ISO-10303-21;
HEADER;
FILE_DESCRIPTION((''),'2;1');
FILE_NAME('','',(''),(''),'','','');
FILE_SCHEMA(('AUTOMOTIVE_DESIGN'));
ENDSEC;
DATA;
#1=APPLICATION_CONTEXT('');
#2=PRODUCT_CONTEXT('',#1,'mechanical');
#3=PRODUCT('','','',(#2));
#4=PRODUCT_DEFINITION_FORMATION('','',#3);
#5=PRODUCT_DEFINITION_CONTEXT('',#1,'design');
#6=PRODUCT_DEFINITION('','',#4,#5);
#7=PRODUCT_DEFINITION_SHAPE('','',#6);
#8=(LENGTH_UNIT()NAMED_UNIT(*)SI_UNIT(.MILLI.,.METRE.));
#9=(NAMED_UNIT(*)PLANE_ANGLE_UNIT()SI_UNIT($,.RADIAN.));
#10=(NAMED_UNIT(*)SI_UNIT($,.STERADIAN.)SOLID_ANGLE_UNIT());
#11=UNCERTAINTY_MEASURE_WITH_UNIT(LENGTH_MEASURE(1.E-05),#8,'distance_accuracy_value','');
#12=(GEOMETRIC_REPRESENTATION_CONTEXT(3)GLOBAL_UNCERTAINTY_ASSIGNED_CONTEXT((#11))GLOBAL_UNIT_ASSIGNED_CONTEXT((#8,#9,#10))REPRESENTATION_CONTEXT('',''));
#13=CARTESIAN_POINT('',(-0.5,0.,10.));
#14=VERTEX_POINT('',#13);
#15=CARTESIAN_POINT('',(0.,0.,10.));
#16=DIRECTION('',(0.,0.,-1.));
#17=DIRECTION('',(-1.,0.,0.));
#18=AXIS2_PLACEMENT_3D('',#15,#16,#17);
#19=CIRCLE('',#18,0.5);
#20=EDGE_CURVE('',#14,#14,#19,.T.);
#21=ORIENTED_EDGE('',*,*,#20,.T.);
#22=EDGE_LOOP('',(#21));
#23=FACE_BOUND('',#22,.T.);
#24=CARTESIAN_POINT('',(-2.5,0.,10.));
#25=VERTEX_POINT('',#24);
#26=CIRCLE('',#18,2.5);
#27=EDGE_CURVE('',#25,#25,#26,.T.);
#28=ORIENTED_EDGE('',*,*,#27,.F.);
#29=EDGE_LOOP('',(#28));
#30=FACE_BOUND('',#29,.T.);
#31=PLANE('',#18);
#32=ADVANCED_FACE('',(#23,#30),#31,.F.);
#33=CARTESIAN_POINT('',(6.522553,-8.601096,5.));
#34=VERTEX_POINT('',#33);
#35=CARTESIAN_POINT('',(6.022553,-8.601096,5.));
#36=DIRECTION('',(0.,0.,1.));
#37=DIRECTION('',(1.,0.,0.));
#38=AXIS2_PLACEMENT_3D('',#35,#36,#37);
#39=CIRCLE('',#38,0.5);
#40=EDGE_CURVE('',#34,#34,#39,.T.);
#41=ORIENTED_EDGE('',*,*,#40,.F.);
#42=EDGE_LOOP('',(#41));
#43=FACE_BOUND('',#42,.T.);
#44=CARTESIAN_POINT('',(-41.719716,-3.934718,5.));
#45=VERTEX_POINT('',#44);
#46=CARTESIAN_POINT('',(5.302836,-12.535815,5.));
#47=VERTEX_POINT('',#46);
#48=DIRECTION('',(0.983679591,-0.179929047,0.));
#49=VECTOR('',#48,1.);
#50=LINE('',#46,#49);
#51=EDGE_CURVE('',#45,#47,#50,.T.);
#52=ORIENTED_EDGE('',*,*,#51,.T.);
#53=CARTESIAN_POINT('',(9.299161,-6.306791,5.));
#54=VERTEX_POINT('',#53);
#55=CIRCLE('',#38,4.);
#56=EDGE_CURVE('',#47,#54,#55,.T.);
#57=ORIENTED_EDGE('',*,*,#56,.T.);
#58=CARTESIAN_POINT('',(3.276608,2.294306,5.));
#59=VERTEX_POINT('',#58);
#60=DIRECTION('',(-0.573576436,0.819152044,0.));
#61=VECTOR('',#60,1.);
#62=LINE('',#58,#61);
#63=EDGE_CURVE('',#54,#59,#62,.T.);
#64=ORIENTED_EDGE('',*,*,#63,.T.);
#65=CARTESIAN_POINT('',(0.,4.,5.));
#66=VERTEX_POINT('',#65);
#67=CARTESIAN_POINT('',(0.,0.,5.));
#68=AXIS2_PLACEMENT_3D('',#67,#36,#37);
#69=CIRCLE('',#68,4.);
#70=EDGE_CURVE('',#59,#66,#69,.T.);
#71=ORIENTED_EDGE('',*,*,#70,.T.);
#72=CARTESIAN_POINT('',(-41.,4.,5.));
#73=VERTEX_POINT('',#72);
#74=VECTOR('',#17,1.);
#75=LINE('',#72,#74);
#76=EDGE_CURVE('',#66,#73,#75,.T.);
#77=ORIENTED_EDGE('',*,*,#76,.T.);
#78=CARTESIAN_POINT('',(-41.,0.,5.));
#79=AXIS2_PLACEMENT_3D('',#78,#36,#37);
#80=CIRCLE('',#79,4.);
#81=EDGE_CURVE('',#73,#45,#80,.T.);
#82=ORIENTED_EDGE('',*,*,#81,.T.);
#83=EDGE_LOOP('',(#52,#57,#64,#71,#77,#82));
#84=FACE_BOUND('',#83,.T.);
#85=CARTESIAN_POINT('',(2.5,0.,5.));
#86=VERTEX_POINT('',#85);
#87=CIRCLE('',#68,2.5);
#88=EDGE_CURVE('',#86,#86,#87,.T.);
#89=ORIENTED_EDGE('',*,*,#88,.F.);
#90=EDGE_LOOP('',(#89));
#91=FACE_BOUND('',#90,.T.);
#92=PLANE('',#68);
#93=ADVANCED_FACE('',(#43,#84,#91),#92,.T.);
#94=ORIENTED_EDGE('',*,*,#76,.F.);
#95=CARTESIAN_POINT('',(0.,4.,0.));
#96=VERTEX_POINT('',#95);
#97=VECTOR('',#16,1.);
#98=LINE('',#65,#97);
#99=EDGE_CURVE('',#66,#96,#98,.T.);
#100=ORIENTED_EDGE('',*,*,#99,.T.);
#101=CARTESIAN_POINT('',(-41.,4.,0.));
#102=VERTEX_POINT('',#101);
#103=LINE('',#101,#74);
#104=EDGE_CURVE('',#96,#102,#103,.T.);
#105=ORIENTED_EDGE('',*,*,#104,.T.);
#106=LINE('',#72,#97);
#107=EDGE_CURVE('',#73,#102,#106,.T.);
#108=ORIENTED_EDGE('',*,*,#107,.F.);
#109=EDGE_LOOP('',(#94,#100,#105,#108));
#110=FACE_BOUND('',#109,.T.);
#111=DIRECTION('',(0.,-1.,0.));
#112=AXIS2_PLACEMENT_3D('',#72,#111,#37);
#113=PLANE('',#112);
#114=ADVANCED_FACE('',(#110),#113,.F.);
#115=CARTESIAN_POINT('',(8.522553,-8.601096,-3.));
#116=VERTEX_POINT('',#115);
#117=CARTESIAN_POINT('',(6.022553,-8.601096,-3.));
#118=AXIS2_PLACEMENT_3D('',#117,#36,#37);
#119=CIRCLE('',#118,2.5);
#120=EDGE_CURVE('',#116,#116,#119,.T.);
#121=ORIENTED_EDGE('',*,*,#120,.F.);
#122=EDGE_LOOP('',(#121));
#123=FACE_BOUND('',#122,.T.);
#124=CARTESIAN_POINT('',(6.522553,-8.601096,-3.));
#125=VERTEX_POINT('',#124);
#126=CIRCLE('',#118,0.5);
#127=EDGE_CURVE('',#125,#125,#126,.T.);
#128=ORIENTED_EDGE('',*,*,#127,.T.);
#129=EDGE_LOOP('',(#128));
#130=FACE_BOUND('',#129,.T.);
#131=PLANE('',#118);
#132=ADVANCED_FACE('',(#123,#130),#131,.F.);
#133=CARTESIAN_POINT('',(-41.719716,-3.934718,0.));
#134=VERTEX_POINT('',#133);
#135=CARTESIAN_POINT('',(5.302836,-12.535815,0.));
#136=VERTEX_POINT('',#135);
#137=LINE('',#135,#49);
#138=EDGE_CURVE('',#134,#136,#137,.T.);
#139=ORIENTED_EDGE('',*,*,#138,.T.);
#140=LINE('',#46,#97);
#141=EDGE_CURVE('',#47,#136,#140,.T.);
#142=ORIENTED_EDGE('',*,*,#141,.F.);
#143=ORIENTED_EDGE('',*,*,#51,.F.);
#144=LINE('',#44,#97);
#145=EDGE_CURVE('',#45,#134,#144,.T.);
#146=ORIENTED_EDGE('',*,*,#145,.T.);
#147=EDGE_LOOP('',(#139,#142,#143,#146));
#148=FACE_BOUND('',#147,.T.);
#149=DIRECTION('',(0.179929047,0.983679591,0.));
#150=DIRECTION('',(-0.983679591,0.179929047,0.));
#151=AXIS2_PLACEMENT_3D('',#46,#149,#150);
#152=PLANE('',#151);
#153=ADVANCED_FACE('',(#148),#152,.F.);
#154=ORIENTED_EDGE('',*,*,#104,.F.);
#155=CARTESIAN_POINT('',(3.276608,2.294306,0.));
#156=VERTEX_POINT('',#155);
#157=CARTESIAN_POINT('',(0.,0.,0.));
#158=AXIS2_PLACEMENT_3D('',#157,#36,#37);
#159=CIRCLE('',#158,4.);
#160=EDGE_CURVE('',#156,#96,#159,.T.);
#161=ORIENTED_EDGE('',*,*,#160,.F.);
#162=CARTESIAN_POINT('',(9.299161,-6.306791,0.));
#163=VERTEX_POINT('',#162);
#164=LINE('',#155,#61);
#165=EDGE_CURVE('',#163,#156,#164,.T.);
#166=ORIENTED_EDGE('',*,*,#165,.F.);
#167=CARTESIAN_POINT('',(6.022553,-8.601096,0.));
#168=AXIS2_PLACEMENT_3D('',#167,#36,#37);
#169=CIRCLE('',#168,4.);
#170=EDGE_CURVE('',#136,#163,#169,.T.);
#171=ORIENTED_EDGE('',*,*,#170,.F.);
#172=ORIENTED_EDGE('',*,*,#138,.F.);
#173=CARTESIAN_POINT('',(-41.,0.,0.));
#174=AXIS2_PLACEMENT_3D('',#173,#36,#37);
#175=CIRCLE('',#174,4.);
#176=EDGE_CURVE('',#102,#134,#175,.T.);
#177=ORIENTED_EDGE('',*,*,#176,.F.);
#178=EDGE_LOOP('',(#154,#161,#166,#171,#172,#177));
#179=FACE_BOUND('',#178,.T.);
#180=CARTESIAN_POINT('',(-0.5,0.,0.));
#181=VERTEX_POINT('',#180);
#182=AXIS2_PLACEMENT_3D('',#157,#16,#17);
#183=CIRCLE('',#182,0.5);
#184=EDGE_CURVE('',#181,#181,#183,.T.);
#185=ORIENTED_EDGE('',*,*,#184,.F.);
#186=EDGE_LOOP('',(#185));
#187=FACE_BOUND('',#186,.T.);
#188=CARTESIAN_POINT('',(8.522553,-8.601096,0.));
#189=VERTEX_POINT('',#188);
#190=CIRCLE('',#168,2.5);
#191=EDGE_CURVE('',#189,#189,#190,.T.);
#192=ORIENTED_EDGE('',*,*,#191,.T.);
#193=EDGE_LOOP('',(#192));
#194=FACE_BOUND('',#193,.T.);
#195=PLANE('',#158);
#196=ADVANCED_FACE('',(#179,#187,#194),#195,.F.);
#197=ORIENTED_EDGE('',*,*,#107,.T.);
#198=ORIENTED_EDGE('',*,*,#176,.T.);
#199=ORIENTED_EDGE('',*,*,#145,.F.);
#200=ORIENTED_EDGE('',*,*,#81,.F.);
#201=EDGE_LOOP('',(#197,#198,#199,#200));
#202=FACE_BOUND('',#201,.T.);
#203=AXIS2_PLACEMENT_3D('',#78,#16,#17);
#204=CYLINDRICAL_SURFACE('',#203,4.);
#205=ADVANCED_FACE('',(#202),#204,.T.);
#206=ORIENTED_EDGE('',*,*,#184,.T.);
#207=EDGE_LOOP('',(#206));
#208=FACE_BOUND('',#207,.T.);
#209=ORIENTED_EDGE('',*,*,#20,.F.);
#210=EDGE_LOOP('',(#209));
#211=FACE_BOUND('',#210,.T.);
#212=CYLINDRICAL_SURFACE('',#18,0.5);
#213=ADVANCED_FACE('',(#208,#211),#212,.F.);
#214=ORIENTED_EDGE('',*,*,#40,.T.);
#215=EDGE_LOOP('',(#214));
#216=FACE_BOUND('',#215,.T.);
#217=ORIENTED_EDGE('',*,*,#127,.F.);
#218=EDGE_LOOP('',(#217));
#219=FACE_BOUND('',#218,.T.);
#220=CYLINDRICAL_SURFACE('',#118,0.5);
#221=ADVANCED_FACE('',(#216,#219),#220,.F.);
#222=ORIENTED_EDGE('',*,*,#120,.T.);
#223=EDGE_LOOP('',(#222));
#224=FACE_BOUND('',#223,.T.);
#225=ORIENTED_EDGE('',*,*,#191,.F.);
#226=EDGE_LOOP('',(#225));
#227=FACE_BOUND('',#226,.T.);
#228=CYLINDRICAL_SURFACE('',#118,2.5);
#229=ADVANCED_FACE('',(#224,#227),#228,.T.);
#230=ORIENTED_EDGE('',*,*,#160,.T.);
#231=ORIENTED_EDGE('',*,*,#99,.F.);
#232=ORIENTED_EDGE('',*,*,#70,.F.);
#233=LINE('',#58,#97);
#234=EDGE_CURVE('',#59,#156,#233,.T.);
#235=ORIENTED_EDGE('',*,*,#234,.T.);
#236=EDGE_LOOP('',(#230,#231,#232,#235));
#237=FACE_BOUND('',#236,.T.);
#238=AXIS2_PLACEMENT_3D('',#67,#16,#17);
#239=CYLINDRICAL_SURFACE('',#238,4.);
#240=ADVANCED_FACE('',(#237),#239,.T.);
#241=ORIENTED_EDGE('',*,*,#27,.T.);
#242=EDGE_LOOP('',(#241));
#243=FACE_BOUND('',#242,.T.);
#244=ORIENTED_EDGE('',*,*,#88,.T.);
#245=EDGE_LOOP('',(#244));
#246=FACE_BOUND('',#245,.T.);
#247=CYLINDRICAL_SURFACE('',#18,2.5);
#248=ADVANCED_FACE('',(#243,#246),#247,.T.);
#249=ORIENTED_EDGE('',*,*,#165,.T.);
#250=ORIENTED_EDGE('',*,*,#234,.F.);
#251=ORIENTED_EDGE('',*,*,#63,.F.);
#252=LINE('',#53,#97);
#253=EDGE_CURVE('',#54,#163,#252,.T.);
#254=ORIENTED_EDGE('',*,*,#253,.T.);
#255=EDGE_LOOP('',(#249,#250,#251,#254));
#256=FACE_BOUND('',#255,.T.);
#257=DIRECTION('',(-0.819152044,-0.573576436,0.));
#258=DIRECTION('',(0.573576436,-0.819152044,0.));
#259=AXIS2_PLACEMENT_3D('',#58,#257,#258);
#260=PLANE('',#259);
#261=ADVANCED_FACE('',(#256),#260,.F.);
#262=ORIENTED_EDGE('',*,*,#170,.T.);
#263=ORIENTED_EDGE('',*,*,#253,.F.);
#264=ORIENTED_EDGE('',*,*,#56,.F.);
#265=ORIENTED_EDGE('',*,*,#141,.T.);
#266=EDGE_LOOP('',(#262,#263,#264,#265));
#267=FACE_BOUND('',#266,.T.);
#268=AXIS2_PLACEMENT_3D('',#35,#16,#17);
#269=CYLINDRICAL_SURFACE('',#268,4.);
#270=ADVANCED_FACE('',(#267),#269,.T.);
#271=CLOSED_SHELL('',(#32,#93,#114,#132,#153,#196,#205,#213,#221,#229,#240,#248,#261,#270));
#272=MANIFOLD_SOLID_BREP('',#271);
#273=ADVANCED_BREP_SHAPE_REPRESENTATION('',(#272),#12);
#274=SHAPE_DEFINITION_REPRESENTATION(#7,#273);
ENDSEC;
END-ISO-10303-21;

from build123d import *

# Parameters (mm, degrees)
SKETCH2_R           = 2.5
BOSS_EXTRUDE1_DEPTH = 5
BOSS_EXTRUDE2_START = -8
SKETCH3_R           = 2.5
SKETCH3_R_2         = 0.5
BOSS_EXTRUDE2_DEPTH = 8
SKETCH4_R           = 2.5
SKETCH4_R_2         = 0.5
BOSS_EXTRUDE3_DEPTH = 10


with BuildPart() as part:
    # Sketch2 → Boss-Extrude1 (new body)
    with BuildSketch(Plane.XY):
        with BuildLine():
            Line((-41, 4), (0, 4))
            ThreePointArc((0, 4), (1.846994453, 3.548043333), (3.276608177, 2.294305745))
            Line((3.276608177, 2.294305745), (9.299160759, -6.30679072))
            ThreePointArc((9.299160759, -6.30679072), (9.389243762, -10.761047968), (5.302836395, -12.53581483))
            Line((5.302836395, -12.53581483), (-41.719716186, -3.934718365))
            ThreePointArc((-41.719716186, -3.934718365), (-44.98364616, 0.361335399), (-41, 4))
        make_face()
        Circle(SKETCH2_R, mode=Mode.SUBTRACT)
        with Locations((6.022552582, -8.601096465)):
            Circle(SKETCH2_R, mode=Mode.SUBTRACT)
    extrude(amount=BOSS_EXTRUDE1_DEPTH)

    # Sketch3 → Boss-Extrude2 (add)
    with BuildSketch(Plane.XY.offset(5).offset(BOSS_EXTRUDE2_START)):
        with Locations((6.022552582, -8.601096465)):
            Circle(SKETCH3_R)
        with Locations((6.022552582, -8.601096465)):
            Circle(SKETCH3_R_2, mode=Mode.SUBTRACT)
    extrude(amount=BOSS_EXTRUDE2_DEPTH)

    # Sketch4 → Boss-Extrude3 (add)
    with BuildSketch(Plane(origin=(0, 0, 0), x_dir=(-1, 0, 0), z_dir=(0, 0, -1))):
        Circle(SKETCH4_R)
        Circle(SKETCH4_R_2, mode=Mode.SUBTRACT)
    extrude(amount=-BOSS_EXTRUDE3_DEPTH)


solid = part.part
